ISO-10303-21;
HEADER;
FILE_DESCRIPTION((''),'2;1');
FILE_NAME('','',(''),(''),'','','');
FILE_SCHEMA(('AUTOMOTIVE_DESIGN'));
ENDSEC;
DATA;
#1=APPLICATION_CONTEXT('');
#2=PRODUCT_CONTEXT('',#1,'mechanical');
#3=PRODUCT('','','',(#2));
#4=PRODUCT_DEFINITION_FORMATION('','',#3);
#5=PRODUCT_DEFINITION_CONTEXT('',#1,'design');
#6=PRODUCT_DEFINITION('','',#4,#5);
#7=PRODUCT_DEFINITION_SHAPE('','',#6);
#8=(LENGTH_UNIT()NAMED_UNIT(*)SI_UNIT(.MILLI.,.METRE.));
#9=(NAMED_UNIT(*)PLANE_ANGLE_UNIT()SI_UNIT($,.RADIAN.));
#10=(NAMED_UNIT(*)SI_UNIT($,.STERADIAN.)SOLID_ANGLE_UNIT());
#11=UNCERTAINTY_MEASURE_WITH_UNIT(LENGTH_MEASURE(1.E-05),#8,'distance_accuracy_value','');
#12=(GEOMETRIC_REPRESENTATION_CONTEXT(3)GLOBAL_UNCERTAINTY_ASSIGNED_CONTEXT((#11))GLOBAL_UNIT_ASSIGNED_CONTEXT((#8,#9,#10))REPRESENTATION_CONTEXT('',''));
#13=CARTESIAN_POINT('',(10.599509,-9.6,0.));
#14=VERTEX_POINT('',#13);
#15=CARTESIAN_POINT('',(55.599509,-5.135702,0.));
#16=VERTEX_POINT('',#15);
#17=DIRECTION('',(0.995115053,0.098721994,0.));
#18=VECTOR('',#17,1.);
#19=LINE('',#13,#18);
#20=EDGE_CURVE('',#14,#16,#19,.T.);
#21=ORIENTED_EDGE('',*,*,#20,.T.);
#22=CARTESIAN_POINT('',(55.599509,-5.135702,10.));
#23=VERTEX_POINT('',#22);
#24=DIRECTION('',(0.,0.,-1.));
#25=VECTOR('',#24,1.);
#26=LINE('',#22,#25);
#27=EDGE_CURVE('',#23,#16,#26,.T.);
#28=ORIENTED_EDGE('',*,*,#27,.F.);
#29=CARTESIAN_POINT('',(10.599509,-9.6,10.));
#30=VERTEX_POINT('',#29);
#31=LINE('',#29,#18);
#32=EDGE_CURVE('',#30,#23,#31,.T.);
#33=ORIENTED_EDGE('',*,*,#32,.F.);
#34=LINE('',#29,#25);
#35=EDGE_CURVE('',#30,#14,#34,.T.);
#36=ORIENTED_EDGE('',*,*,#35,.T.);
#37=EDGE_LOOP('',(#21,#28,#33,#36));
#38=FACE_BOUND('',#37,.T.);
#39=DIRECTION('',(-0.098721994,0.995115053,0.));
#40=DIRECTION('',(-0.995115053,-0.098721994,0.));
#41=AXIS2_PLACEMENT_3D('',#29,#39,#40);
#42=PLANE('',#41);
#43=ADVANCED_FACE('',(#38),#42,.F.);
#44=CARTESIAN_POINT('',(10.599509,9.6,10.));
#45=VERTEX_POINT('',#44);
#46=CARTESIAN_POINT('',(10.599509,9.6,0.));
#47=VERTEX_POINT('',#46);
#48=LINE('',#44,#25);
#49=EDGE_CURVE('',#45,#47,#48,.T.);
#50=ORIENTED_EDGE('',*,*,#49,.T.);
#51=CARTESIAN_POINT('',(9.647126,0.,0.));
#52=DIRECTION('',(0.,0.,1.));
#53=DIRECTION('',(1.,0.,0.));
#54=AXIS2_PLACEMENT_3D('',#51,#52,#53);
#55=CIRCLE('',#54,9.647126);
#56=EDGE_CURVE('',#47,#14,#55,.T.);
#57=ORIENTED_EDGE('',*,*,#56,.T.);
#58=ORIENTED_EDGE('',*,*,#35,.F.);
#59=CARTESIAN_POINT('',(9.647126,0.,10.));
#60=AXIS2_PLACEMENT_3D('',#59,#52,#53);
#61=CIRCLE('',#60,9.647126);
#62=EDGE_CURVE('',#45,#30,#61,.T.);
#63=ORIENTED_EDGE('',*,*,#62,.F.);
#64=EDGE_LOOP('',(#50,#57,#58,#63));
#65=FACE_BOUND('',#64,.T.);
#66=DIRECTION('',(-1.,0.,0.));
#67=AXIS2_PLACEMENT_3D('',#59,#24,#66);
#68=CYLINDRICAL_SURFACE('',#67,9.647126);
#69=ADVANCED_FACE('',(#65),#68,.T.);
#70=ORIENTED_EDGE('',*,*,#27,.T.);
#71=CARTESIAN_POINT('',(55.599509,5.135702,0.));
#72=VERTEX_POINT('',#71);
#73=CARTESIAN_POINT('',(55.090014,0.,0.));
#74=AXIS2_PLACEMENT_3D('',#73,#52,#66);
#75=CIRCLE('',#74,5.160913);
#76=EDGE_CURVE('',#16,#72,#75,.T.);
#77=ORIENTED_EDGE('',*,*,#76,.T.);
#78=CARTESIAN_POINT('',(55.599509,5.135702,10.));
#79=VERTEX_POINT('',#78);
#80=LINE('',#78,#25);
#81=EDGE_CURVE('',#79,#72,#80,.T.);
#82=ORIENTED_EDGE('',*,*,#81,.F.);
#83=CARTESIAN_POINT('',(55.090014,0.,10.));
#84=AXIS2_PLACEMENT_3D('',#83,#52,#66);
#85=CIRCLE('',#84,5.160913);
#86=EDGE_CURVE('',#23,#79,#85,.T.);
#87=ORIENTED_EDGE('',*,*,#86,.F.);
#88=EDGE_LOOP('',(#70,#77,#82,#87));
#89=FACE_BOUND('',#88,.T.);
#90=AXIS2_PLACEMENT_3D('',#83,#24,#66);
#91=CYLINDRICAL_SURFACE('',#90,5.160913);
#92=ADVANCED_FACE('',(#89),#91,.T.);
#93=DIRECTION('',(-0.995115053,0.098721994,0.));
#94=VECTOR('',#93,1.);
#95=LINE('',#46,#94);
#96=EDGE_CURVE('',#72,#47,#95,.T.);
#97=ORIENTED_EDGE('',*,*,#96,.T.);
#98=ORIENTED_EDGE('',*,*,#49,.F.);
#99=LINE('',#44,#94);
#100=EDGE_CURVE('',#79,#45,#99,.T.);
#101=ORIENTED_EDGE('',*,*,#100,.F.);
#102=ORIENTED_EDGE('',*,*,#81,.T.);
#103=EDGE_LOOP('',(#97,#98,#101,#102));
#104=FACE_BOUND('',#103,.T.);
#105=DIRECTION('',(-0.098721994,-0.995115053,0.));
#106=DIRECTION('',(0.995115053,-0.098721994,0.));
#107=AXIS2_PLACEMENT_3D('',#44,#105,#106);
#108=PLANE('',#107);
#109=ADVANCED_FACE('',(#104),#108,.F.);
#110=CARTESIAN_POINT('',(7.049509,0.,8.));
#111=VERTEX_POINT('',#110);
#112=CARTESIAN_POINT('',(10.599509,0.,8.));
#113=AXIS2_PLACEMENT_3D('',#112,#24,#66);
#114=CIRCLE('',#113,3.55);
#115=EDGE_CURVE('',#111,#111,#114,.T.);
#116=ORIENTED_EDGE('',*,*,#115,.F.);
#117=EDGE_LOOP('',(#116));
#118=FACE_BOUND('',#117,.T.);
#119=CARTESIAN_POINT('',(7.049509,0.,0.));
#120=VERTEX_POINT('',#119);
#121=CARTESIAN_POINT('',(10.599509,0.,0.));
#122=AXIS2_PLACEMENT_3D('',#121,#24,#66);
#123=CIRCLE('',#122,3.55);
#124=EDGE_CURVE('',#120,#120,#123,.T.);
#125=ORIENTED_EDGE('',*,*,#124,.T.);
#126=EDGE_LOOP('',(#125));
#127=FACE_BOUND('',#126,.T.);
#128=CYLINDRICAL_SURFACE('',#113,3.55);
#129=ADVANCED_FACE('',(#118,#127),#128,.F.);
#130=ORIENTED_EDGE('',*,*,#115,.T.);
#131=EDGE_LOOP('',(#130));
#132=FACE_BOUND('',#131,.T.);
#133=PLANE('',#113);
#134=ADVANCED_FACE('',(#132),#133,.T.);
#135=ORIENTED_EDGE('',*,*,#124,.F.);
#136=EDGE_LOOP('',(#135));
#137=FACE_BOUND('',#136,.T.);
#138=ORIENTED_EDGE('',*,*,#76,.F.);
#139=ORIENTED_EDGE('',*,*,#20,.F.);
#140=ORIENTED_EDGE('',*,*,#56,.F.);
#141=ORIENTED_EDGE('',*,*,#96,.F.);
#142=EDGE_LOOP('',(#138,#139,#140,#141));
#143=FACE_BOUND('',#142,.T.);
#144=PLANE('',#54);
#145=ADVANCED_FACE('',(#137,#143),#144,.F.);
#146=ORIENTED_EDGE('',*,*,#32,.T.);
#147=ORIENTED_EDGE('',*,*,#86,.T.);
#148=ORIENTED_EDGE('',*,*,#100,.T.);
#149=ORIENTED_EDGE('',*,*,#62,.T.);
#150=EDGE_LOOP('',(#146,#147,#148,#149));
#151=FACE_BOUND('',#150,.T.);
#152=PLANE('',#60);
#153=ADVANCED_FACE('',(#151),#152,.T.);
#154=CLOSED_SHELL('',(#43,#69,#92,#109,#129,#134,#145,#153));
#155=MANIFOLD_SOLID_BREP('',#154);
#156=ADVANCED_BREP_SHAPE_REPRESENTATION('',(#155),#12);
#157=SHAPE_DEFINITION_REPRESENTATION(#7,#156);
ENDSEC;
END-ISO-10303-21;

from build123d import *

# Parameters (mm, degrees)
BOSS_EXTRU_1_DEPTH = 10
SKETCH1_R          = 3.55
CUT_EXTRUDE1_DEPTH = 8


with BuildPart() as part:
    # Esquisse1 → Boss.-Extru.1 (new body)
    with BuildSketch(Plane.XY):
        with BuildLine():
            Line((10.599509188, 9.6), (55.599509188, 5.135702408))
            ThreePointArc((55.599509188, 5.135702408), (60.250926744, 0), (55.599509188, -5.135702408))
            Line((55.599509188, -5.135702408), (10.599509188, -9.6))
            ThreePointArc((10.599509188, -9.6), (0, 0), (10.599509188, 9.6))
        make_face()
    extrude(amount=BOSS_EXTRU_1_DEPTH)

    # Sketch1 → Cut-Extrude1 (cut)
    with BuildSketch(Plane(origin=(0, 0, 0), x_dir=(-1, 0, 0), z_dir=(0, 0, -1))):
        with Locations((-10.599509188, 0)):
            Circle(SKETCH1_R)
    extrude(amount=-CUT_EXTRUDE1_DEPTH, mode=Mode.SUBTRACT)


solid = part.part
